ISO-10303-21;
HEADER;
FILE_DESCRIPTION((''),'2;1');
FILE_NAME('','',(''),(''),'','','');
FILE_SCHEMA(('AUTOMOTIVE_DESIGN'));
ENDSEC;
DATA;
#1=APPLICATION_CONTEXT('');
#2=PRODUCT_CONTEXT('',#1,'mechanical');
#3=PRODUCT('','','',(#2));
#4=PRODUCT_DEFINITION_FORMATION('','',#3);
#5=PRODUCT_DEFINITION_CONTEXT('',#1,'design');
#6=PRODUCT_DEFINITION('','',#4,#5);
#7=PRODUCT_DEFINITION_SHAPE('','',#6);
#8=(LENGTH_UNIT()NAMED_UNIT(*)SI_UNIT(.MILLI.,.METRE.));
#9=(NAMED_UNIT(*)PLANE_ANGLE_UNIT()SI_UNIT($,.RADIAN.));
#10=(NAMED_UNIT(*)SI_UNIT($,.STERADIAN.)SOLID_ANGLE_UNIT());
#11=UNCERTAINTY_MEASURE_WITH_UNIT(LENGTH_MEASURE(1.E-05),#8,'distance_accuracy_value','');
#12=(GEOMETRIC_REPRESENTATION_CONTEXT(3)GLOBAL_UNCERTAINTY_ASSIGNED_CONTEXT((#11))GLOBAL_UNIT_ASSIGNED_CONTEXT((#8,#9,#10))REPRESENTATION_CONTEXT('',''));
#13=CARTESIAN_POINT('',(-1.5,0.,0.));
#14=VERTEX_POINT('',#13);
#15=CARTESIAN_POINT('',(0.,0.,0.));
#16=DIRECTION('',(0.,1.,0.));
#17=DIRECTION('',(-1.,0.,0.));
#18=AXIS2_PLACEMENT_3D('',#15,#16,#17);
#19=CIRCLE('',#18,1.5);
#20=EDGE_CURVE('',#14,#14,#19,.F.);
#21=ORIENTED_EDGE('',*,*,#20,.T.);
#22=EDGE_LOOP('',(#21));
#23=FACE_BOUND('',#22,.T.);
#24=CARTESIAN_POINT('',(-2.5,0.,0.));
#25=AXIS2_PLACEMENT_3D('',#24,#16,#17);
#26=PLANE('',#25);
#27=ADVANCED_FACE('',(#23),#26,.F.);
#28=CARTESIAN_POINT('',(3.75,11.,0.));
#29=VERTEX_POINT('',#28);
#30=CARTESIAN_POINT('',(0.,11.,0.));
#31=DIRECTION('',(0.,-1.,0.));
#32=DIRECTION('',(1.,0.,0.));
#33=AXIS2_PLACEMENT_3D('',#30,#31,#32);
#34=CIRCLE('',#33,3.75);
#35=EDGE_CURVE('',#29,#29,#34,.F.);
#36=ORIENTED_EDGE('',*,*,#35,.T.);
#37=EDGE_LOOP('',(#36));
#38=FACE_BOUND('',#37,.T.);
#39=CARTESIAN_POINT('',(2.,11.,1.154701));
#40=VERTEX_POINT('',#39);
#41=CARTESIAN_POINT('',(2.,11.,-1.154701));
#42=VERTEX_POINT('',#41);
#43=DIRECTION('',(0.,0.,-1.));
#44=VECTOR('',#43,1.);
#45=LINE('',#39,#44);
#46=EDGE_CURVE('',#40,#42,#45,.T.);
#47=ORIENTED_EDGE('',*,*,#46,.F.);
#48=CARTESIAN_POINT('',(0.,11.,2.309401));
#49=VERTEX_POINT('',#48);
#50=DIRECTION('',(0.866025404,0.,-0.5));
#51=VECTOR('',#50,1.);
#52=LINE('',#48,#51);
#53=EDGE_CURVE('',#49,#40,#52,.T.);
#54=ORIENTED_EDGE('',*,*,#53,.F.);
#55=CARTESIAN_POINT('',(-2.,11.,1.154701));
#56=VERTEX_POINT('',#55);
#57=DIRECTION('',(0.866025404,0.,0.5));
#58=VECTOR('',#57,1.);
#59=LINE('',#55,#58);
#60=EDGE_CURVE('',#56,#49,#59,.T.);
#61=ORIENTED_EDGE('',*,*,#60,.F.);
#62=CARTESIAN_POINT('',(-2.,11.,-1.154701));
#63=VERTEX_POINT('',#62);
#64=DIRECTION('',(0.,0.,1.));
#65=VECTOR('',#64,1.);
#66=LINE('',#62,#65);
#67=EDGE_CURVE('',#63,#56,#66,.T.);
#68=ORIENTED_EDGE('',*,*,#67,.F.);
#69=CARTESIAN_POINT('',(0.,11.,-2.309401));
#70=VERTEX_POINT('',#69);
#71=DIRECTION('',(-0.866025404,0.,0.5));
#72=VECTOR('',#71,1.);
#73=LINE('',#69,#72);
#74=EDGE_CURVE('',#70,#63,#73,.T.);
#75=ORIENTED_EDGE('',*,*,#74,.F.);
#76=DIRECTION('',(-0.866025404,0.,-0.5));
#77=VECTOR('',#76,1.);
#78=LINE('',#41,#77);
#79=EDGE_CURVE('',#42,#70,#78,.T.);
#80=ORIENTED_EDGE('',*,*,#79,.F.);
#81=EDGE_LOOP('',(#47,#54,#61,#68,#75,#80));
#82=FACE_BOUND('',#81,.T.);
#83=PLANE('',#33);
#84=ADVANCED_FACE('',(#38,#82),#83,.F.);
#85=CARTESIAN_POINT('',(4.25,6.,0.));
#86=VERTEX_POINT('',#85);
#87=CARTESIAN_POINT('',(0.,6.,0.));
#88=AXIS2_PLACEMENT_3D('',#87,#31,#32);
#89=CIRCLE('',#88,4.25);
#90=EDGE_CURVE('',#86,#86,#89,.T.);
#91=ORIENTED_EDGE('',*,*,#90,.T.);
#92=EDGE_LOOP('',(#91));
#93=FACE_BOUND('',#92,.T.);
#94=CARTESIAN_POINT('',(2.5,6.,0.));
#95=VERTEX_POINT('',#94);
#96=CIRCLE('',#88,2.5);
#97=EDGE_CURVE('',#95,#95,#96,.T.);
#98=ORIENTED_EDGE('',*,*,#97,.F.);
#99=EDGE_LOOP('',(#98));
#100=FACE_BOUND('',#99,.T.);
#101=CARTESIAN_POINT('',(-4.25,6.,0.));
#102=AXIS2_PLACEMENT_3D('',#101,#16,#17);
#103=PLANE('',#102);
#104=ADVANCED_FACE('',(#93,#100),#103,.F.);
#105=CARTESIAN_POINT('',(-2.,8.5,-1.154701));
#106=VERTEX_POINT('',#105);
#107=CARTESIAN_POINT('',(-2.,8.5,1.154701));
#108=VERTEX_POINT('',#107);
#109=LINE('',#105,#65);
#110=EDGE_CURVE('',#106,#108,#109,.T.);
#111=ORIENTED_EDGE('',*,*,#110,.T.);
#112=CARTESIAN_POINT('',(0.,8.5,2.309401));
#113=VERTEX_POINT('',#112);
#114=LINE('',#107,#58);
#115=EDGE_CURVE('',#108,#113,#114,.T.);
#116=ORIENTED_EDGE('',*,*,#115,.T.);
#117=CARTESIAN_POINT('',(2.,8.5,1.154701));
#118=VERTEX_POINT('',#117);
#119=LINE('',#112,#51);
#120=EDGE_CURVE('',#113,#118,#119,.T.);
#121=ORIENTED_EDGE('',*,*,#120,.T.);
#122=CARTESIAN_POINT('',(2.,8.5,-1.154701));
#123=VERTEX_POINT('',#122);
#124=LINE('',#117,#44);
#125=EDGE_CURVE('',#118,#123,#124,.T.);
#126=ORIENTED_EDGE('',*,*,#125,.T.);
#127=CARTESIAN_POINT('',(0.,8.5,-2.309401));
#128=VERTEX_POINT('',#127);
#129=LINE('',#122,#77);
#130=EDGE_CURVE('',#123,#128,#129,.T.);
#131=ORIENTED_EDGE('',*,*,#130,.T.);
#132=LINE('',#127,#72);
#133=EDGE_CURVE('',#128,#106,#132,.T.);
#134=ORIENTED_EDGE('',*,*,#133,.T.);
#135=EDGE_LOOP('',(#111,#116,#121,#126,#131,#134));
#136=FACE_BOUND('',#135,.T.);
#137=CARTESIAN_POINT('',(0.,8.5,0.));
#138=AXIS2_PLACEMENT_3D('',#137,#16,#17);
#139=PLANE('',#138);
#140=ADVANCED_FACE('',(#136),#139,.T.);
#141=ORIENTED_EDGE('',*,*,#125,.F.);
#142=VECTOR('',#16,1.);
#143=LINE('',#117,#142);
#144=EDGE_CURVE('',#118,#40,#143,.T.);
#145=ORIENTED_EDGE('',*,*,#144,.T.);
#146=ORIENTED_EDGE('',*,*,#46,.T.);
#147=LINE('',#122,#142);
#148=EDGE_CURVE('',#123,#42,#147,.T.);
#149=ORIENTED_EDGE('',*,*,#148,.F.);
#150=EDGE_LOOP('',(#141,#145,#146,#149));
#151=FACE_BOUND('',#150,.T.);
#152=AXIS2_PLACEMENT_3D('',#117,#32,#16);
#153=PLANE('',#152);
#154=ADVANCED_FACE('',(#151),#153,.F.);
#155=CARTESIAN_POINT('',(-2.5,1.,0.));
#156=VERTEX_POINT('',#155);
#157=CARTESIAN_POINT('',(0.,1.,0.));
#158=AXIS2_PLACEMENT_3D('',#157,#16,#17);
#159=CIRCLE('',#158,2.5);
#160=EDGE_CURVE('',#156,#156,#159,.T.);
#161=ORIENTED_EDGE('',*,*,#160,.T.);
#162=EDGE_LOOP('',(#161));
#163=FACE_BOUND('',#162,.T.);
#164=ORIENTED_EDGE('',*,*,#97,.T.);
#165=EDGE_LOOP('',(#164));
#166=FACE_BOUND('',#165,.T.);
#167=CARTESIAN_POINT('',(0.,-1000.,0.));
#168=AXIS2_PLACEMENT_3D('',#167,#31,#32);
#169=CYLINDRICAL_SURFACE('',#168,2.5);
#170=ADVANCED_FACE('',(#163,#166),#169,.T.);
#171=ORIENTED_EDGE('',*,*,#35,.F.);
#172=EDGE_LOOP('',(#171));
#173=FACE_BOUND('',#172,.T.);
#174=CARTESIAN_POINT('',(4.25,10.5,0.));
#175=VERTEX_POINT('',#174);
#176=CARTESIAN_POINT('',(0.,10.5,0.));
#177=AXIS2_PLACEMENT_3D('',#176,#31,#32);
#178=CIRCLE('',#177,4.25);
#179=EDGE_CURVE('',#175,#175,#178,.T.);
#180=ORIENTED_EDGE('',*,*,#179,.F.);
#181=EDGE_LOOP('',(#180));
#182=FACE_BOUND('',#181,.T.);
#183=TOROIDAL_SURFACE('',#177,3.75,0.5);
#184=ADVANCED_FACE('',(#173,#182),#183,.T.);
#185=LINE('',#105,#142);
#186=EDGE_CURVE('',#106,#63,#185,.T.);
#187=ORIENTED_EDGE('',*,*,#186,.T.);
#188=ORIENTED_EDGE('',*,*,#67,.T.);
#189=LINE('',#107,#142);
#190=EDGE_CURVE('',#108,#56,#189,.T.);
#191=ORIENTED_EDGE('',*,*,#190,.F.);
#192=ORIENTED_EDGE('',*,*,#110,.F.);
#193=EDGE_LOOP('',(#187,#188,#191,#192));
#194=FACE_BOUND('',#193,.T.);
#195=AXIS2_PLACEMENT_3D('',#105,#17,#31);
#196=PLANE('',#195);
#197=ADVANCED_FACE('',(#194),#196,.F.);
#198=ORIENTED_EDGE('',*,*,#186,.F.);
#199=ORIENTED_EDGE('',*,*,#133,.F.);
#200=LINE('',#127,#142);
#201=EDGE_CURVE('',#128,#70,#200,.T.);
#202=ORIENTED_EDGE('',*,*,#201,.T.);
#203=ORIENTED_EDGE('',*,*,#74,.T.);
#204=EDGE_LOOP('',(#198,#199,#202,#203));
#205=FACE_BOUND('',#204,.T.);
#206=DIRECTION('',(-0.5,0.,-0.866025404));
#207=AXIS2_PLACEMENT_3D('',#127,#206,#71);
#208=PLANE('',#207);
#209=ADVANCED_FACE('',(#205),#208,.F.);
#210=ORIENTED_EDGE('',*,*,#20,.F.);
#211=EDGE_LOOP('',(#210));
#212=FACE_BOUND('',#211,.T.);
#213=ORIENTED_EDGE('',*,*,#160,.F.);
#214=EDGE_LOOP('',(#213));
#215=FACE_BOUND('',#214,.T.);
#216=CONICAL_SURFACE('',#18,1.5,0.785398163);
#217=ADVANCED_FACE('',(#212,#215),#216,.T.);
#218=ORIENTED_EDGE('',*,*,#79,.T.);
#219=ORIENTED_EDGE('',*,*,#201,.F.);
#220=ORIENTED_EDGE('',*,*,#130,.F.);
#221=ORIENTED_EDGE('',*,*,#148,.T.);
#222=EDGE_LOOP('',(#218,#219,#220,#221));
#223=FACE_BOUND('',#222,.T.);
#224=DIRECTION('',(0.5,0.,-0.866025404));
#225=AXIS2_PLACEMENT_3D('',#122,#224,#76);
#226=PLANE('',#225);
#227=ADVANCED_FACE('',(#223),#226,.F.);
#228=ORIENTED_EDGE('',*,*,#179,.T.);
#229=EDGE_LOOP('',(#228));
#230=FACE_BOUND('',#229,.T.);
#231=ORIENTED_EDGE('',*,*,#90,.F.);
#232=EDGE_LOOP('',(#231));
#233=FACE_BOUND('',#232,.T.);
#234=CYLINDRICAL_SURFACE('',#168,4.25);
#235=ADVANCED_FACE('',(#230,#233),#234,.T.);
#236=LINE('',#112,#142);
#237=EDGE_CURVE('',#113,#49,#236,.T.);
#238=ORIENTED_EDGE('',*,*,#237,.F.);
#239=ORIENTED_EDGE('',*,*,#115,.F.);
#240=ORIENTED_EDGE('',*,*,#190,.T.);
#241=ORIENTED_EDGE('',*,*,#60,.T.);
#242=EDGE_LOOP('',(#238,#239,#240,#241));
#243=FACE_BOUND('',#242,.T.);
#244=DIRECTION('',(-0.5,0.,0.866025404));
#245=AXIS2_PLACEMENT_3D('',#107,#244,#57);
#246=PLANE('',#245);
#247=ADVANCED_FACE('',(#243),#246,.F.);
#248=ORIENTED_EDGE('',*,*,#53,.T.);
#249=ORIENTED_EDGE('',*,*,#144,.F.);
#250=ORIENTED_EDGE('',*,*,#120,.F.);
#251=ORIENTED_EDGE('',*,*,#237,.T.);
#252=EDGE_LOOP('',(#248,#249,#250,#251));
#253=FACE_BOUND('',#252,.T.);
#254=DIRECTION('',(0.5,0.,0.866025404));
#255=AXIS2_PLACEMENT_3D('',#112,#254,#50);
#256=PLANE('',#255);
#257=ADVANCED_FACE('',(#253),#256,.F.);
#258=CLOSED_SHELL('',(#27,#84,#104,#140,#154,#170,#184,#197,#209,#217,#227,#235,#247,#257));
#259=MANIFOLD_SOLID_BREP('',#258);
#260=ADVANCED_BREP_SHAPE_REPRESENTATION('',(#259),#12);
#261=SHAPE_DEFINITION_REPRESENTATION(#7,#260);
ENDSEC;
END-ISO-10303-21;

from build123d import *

# Parameters (mm, degrees)
CUT_EXTRUDE1_DEPTH = 2.5
FILLET1_R          = 0.5
CHAMFER1_SIZE      = 1


with BuildPart() as part:
    # Sketch1 → Revolve1 (revolve)
    with BuildSketch(Plane.XY, mode=Mode.PRIVATE) as revolve1_sk:
        Polygon((0, 0), (0, 11), (-4.25, 11), (-4.25, 6), (-2.5, 6), (-2.5, 0), align=None)
    revolve(revolve1_sk.sketch.rotate(Axis((0, -1000, 0), (0, 1, 0)), 180), axis=Axis((0, -1000, 0), (0, 1, 0)))

    # Sketch2 → Cut-Extrude1 (cut)
    with BuildSketch(Plane(origin=(0, 11, 0), x_dir=(1, 0, 0), z_dir=(0, 1, 0))):
        Polygon((0, 2.309401077), (-2, 1.154700538), (-2, -1.154700538), (0, -2.309401077), (2, -1.154700538), (2, 1.154700538), align=None)
    extrude(amount=-CUT_EXTRUDE1_DEPTH, mode=Mode.SUBTRACT)

    # Fillet1
    fillet1_edges = [part.edges().sort_by_distance(p)[0] for p in [
        (-4.25, 11, 0),
    ]]
    fillet(fillet1_edges, radius=FILLET1_R)

    # Chamfer1
    chamfer1_edges = [part.edges().sort_by_distance(p)[0] for p in [
        (-2.5, 0, 0),
    ]]
    chamfer(chamfer1_edges, length=CHAMFER1_SIZE)


solid = part.part
